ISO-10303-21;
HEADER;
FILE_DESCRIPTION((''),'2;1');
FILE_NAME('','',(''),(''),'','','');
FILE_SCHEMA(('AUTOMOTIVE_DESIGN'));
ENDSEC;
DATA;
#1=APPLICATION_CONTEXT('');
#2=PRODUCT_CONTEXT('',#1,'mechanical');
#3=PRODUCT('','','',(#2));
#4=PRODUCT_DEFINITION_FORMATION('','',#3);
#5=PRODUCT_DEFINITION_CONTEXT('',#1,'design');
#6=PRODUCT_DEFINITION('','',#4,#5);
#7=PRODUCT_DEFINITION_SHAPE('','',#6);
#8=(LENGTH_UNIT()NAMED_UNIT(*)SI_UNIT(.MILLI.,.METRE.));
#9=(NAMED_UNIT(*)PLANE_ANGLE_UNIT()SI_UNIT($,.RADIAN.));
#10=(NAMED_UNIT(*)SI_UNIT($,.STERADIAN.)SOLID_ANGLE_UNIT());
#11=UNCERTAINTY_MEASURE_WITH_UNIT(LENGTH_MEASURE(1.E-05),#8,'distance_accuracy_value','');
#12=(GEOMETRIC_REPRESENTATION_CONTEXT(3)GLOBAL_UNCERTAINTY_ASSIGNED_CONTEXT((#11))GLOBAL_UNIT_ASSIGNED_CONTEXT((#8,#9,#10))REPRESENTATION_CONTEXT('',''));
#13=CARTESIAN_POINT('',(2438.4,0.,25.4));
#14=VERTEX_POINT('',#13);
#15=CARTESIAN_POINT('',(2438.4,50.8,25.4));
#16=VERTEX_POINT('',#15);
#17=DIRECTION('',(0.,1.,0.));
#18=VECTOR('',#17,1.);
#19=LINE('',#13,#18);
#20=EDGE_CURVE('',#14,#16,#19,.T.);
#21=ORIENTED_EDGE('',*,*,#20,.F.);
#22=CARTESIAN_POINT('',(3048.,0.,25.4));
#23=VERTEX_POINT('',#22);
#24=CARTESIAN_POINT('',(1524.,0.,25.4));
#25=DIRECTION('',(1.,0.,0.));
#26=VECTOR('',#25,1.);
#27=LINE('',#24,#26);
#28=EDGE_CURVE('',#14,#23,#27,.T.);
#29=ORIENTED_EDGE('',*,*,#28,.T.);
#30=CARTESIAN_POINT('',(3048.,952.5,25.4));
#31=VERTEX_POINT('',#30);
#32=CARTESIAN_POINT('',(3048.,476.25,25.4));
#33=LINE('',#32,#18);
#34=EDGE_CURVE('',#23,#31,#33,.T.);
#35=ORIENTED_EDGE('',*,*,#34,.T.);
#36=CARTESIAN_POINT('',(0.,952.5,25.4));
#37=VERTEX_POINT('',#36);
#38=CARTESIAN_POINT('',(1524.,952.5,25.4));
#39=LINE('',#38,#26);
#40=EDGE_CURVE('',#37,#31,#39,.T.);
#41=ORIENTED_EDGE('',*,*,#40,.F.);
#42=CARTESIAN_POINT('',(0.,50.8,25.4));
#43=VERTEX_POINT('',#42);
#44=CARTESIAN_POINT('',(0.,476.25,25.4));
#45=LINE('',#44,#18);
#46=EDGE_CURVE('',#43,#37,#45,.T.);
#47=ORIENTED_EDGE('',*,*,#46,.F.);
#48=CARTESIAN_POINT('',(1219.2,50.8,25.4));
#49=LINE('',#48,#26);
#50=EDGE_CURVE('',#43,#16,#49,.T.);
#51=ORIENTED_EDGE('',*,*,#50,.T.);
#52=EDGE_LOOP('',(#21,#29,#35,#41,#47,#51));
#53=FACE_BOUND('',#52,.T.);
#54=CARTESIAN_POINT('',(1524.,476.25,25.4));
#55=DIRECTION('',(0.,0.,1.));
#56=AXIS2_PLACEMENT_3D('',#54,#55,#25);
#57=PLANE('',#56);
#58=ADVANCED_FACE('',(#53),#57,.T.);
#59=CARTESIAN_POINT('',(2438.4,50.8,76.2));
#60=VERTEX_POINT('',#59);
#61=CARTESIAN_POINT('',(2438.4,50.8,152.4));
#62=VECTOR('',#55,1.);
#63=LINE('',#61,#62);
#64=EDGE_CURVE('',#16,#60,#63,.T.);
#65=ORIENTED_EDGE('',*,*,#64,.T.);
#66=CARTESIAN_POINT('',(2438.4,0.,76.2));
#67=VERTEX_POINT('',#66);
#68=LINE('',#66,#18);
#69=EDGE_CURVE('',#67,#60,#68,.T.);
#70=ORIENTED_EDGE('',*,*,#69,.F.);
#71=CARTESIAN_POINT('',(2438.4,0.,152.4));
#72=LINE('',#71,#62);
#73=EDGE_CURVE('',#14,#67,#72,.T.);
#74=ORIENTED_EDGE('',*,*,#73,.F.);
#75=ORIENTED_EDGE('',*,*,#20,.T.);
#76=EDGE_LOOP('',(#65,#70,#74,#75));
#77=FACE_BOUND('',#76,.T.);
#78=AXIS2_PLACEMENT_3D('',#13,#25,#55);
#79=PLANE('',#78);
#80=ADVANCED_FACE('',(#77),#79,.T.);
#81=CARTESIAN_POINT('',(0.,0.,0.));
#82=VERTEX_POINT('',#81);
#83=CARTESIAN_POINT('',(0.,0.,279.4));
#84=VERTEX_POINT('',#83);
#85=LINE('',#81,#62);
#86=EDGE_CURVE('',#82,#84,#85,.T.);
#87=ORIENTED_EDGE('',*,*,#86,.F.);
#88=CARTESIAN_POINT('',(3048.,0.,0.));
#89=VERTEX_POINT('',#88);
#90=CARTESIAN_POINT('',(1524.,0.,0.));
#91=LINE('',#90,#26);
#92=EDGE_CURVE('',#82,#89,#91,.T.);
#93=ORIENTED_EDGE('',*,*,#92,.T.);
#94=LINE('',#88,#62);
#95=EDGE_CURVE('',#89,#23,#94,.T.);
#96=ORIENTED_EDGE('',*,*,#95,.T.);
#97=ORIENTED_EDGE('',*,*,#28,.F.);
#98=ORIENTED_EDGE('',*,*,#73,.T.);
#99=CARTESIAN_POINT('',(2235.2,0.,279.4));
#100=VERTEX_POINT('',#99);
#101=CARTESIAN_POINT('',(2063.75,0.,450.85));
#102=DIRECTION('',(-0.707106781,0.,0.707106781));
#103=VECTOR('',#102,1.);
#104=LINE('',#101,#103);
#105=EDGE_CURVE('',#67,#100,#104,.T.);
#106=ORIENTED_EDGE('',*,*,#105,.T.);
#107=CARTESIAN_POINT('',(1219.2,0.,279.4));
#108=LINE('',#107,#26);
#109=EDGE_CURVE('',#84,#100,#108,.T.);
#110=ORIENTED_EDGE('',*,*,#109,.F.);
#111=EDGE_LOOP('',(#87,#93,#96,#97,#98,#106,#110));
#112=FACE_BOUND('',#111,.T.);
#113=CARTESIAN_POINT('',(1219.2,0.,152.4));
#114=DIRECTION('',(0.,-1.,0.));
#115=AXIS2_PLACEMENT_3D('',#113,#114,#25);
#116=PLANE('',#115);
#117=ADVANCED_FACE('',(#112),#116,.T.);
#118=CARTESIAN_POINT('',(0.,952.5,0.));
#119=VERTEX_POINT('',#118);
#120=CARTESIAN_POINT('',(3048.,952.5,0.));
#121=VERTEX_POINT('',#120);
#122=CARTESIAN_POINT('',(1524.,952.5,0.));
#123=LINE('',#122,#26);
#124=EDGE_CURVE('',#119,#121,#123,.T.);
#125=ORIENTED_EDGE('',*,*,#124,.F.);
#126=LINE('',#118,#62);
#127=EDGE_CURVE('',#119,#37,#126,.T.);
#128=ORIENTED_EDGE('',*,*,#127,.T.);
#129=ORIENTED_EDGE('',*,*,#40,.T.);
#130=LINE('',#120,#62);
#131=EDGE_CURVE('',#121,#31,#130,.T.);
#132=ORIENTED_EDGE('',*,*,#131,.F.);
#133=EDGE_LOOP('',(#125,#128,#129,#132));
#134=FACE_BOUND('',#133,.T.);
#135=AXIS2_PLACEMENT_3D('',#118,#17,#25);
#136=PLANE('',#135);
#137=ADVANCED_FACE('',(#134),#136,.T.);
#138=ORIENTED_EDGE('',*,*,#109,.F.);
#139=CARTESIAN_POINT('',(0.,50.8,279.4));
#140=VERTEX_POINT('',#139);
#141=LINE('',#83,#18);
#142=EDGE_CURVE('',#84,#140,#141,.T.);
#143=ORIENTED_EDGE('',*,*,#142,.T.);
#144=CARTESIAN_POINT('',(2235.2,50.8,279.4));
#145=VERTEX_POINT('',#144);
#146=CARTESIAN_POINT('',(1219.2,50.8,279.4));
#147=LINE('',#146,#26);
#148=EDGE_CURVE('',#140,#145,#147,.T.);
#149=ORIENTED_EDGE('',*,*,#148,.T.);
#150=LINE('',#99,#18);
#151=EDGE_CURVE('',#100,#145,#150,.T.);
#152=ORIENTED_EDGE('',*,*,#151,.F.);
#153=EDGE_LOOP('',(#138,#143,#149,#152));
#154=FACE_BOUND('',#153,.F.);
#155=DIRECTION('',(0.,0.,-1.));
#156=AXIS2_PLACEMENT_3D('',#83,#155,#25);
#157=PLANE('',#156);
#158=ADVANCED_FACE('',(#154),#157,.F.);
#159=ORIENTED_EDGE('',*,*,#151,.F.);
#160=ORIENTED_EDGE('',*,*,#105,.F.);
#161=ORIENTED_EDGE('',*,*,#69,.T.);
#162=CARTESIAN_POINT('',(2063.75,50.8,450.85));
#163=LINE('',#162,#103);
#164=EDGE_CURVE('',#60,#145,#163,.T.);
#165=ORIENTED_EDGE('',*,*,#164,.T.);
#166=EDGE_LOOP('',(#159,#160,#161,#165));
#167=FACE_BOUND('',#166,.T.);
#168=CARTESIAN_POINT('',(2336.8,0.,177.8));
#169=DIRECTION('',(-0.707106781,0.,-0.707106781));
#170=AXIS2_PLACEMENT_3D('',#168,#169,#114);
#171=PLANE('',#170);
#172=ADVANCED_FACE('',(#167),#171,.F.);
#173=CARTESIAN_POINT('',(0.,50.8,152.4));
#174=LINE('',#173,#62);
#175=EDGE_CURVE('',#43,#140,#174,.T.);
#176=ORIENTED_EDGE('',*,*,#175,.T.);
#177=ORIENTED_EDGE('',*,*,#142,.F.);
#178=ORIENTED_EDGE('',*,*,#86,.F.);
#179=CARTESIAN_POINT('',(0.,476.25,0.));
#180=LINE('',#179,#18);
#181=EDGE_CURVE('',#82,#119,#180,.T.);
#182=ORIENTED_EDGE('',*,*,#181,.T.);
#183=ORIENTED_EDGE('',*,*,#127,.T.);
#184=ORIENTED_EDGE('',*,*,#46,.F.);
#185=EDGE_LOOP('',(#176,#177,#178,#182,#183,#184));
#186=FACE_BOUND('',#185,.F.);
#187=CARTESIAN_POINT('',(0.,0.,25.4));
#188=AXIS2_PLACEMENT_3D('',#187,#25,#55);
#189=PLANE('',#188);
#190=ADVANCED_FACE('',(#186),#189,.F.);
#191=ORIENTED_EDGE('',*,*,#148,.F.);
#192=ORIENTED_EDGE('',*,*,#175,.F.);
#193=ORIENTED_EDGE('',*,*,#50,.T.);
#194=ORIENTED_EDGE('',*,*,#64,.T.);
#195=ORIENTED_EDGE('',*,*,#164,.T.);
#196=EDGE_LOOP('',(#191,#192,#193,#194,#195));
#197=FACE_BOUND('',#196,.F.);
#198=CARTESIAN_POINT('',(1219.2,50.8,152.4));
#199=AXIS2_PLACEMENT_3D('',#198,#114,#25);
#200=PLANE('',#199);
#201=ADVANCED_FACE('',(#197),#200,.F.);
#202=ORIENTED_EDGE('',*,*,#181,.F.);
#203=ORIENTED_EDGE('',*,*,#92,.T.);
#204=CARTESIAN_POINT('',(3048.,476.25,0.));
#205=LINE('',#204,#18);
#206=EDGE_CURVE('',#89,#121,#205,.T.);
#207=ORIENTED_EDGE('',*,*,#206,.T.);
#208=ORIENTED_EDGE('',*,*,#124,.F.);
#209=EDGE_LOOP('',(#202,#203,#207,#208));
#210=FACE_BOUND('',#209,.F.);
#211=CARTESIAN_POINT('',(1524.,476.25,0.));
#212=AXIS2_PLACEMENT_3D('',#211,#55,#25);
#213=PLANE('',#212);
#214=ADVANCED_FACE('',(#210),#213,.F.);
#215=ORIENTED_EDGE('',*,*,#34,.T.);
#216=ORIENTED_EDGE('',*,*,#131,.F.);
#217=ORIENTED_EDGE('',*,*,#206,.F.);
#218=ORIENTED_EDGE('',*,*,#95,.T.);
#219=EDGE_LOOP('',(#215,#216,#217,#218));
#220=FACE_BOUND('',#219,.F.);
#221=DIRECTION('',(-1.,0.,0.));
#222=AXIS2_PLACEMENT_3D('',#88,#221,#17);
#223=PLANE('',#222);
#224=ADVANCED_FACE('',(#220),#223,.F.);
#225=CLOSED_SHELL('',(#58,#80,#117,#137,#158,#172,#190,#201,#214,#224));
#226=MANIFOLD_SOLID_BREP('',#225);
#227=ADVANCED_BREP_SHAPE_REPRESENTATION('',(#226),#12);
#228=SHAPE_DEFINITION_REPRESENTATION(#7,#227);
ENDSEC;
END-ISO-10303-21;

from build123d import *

# Parameters (mm, degrees)
F0_W     = 3048
F0_H     = 952.5
F1_DEPTH = 25.4
F2_W     = 2438.4
F2_H     = 254
F3_DEPTH = 50.8
F4_SIZE  = 203.2


with BuildPart() as f1:
    # F0 (on Top) → F1 (new body)
    with BuildSketch(Plane.XY):
        with Locations((1524, 476.25)):
            Rectangle(F0_W, F0_H)
    extrude(amount=F1_DEPTH)

    # F2 (on face) → F3 (join)
    with BuildSketch(Plane.XZ):
        with Locations((1219.2, 152.4)):
            Rectangle(F2_W, F2_H)
    extrude(amount=-F3_DEPTH)

    # F4
    f4_edges = [f1.edges().sort_by_distance(p)[0] for p in [
        (2438.4, 25.4, 279.4),
    ]]
    chamfer(f4_edges, length=F4_SIZE)


solid = f1.part
